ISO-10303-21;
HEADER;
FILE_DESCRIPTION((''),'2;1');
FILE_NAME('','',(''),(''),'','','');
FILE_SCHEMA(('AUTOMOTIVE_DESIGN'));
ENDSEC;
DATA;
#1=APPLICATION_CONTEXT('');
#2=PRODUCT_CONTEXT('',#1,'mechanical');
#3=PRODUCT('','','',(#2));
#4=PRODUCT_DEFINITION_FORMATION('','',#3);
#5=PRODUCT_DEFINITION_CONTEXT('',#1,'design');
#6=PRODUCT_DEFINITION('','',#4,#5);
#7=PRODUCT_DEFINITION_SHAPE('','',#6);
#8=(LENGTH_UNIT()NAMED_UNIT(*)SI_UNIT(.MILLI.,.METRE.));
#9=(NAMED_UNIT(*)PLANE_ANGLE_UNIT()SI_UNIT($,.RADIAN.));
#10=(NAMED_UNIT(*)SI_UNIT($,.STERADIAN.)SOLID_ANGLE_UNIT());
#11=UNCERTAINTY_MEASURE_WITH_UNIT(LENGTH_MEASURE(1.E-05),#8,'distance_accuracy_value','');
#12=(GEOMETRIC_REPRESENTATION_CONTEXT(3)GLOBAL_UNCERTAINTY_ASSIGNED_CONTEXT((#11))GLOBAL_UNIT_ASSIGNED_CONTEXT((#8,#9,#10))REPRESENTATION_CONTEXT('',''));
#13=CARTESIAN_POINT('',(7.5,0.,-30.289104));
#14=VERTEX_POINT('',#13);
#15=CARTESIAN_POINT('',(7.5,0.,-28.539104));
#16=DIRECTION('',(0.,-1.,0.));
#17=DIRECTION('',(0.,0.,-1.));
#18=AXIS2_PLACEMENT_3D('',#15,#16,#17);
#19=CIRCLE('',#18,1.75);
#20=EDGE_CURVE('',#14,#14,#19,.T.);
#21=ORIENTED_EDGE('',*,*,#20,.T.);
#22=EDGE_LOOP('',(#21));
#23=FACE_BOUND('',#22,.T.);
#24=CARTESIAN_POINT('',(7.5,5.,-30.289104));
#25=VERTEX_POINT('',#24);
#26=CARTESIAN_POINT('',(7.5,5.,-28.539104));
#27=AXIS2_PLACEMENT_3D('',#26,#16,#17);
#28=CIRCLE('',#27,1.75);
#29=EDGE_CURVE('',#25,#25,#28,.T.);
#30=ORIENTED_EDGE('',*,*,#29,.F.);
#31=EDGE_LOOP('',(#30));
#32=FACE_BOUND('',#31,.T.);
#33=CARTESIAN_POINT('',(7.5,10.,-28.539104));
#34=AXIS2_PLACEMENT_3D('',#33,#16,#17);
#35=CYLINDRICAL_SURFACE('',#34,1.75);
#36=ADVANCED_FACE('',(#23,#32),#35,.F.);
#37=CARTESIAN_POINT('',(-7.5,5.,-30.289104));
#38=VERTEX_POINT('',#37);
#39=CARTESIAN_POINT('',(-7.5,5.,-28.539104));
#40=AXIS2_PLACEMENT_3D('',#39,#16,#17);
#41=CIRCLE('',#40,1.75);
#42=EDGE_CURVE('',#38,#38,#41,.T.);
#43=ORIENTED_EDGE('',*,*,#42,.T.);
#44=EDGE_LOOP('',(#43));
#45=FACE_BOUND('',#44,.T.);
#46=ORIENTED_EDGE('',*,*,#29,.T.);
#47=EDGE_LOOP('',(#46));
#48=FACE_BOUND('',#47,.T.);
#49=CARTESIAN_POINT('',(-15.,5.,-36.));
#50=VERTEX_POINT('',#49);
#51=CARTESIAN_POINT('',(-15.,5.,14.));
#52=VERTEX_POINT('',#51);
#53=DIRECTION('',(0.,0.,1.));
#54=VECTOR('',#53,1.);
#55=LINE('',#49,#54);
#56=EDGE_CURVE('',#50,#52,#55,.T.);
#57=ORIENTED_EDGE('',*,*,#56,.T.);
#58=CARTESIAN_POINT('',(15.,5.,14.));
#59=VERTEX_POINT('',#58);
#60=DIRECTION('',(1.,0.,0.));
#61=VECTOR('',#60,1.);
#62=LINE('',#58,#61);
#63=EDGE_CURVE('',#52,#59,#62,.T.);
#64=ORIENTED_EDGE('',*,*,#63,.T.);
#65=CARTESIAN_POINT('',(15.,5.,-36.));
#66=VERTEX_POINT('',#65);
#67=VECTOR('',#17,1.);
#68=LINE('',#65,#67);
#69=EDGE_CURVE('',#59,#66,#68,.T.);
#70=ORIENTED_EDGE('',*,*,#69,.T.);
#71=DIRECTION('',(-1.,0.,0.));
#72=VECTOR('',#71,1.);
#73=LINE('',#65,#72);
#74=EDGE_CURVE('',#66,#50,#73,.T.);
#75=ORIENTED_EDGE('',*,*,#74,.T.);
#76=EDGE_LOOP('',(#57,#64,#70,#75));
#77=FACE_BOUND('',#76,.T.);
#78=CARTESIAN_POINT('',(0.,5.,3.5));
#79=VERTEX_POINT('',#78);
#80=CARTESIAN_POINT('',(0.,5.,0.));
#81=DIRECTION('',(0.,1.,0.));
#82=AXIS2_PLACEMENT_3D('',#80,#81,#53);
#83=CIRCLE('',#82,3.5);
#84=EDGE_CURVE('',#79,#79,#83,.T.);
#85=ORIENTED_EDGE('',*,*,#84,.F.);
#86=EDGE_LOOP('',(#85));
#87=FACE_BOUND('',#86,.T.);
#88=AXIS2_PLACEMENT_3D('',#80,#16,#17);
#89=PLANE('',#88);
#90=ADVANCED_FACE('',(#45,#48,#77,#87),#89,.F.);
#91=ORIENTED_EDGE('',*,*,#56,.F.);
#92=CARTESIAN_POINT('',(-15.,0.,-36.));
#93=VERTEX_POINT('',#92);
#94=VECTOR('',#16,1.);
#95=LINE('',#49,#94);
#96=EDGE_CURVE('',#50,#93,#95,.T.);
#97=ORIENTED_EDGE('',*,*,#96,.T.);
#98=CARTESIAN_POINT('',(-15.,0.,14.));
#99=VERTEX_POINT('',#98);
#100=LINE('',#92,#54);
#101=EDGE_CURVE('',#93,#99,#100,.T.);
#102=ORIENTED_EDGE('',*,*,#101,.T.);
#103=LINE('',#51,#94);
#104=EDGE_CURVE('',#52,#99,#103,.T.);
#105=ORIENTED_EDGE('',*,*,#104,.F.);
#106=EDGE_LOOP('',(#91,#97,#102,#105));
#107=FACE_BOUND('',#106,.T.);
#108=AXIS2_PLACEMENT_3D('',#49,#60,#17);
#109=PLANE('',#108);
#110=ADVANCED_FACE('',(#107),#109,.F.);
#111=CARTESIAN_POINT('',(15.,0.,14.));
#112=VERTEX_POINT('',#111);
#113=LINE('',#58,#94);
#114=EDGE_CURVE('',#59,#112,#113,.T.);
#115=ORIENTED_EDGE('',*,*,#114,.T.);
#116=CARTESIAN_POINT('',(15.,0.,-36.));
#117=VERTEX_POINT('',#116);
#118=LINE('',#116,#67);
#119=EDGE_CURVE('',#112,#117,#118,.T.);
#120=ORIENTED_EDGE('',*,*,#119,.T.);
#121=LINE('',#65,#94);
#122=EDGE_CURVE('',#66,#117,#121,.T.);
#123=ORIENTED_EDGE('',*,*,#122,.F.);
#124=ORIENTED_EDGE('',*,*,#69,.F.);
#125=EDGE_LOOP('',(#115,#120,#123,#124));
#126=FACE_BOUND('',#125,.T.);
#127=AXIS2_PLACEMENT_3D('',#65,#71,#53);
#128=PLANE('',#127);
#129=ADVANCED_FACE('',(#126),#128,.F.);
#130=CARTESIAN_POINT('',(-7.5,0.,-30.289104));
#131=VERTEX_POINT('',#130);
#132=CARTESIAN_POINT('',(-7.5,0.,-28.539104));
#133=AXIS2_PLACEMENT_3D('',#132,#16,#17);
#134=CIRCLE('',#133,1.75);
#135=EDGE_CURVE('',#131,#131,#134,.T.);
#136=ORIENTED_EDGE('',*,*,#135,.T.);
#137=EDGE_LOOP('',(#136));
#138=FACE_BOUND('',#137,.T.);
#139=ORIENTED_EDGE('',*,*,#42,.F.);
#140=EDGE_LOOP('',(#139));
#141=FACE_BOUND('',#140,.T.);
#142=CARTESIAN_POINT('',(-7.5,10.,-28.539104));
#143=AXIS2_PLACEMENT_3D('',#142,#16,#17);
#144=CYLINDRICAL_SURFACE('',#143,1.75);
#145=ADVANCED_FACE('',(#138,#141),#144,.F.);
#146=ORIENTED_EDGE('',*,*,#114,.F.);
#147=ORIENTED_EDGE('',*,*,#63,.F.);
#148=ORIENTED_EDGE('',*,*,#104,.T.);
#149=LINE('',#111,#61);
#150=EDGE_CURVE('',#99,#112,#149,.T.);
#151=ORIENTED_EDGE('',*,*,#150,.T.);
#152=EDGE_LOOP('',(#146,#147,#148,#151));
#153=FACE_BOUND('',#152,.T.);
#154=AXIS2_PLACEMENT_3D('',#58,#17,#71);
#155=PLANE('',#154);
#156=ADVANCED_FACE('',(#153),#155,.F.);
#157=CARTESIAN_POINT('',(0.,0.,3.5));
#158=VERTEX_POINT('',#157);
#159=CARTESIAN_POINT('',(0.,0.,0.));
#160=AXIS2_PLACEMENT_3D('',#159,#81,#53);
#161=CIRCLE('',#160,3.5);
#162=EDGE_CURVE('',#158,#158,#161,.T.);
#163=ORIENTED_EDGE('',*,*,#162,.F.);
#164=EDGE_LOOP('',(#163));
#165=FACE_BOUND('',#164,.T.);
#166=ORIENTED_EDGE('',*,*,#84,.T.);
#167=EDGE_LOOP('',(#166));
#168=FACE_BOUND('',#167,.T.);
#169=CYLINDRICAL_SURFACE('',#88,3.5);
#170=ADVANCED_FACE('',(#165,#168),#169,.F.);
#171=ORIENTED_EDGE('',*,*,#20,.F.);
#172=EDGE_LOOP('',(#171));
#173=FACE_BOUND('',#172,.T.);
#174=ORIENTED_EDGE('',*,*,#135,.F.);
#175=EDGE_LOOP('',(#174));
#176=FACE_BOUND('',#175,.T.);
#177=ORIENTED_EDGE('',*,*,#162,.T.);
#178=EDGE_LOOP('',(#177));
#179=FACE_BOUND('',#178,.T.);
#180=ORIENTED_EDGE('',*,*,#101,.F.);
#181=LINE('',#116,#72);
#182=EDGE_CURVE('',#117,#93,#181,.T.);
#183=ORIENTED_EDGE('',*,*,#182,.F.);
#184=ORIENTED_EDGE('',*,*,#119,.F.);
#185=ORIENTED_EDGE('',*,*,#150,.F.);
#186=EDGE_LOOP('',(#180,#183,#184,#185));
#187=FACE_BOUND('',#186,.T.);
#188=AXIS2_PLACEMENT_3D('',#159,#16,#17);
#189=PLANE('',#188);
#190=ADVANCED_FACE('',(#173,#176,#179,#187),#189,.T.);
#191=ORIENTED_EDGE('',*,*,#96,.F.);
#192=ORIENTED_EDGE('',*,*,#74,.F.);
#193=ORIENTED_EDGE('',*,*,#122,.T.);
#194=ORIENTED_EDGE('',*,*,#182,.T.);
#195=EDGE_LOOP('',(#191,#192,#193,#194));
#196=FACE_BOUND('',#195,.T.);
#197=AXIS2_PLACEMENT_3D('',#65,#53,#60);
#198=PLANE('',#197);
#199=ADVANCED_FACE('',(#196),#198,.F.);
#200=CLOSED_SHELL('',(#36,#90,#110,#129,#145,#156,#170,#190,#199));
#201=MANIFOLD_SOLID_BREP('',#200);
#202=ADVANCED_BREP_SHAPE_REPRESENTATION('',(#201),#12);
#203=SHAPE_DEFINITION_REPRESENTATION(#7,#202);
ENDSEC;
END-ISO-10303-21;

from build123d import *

# Parameters (mm, degrees)
SKETCH_2_W          = 30
SKETCH_2_H          = 50
SKETCH_2_R          = 3.5
EXTRUDE_1_DEPTH     = 5
SKETCH_4_R          = 1.75
CUT_EXTRUDE_1_DEPTH = 10


with BuildPart() as part:
    # 스케치2 → 보스-돌출1 (new body)
    with BuildSketch(Plane(origin=(0, 0, 0), x_dir=(1, 0, 0), z_dir=(0, 1, 0))):
        with Locations((0, 11)):
            Rectangle(SKETCH_2_W, SKETCH_2_H)
        with Locations(Location((0, 0, 0), (0, 0, 270))):
            Circle(SKETCH_2_R, mode=Mode.SUBTRACT)
    extrude(amount=EXTRUDE_1_DEPTH)

    # 스케치4 → 컷-돌출1 (cut)
    with BuildSketch(Plane.XZ):
        with Locations(Location((7.5, -28.539103593, 0), (0, 0, 270))):
            Circle(SKETCH_4_R)
        with Locations(Location((-7.5, -28.539103593, 0), (0, 0, 270))):
            Circle(SKETCH_4_R)
    extrude(amount=-CUT_EXTRUDE_1_DEPTH, mode=Mode.SUBTRACT)


solid = part.part
